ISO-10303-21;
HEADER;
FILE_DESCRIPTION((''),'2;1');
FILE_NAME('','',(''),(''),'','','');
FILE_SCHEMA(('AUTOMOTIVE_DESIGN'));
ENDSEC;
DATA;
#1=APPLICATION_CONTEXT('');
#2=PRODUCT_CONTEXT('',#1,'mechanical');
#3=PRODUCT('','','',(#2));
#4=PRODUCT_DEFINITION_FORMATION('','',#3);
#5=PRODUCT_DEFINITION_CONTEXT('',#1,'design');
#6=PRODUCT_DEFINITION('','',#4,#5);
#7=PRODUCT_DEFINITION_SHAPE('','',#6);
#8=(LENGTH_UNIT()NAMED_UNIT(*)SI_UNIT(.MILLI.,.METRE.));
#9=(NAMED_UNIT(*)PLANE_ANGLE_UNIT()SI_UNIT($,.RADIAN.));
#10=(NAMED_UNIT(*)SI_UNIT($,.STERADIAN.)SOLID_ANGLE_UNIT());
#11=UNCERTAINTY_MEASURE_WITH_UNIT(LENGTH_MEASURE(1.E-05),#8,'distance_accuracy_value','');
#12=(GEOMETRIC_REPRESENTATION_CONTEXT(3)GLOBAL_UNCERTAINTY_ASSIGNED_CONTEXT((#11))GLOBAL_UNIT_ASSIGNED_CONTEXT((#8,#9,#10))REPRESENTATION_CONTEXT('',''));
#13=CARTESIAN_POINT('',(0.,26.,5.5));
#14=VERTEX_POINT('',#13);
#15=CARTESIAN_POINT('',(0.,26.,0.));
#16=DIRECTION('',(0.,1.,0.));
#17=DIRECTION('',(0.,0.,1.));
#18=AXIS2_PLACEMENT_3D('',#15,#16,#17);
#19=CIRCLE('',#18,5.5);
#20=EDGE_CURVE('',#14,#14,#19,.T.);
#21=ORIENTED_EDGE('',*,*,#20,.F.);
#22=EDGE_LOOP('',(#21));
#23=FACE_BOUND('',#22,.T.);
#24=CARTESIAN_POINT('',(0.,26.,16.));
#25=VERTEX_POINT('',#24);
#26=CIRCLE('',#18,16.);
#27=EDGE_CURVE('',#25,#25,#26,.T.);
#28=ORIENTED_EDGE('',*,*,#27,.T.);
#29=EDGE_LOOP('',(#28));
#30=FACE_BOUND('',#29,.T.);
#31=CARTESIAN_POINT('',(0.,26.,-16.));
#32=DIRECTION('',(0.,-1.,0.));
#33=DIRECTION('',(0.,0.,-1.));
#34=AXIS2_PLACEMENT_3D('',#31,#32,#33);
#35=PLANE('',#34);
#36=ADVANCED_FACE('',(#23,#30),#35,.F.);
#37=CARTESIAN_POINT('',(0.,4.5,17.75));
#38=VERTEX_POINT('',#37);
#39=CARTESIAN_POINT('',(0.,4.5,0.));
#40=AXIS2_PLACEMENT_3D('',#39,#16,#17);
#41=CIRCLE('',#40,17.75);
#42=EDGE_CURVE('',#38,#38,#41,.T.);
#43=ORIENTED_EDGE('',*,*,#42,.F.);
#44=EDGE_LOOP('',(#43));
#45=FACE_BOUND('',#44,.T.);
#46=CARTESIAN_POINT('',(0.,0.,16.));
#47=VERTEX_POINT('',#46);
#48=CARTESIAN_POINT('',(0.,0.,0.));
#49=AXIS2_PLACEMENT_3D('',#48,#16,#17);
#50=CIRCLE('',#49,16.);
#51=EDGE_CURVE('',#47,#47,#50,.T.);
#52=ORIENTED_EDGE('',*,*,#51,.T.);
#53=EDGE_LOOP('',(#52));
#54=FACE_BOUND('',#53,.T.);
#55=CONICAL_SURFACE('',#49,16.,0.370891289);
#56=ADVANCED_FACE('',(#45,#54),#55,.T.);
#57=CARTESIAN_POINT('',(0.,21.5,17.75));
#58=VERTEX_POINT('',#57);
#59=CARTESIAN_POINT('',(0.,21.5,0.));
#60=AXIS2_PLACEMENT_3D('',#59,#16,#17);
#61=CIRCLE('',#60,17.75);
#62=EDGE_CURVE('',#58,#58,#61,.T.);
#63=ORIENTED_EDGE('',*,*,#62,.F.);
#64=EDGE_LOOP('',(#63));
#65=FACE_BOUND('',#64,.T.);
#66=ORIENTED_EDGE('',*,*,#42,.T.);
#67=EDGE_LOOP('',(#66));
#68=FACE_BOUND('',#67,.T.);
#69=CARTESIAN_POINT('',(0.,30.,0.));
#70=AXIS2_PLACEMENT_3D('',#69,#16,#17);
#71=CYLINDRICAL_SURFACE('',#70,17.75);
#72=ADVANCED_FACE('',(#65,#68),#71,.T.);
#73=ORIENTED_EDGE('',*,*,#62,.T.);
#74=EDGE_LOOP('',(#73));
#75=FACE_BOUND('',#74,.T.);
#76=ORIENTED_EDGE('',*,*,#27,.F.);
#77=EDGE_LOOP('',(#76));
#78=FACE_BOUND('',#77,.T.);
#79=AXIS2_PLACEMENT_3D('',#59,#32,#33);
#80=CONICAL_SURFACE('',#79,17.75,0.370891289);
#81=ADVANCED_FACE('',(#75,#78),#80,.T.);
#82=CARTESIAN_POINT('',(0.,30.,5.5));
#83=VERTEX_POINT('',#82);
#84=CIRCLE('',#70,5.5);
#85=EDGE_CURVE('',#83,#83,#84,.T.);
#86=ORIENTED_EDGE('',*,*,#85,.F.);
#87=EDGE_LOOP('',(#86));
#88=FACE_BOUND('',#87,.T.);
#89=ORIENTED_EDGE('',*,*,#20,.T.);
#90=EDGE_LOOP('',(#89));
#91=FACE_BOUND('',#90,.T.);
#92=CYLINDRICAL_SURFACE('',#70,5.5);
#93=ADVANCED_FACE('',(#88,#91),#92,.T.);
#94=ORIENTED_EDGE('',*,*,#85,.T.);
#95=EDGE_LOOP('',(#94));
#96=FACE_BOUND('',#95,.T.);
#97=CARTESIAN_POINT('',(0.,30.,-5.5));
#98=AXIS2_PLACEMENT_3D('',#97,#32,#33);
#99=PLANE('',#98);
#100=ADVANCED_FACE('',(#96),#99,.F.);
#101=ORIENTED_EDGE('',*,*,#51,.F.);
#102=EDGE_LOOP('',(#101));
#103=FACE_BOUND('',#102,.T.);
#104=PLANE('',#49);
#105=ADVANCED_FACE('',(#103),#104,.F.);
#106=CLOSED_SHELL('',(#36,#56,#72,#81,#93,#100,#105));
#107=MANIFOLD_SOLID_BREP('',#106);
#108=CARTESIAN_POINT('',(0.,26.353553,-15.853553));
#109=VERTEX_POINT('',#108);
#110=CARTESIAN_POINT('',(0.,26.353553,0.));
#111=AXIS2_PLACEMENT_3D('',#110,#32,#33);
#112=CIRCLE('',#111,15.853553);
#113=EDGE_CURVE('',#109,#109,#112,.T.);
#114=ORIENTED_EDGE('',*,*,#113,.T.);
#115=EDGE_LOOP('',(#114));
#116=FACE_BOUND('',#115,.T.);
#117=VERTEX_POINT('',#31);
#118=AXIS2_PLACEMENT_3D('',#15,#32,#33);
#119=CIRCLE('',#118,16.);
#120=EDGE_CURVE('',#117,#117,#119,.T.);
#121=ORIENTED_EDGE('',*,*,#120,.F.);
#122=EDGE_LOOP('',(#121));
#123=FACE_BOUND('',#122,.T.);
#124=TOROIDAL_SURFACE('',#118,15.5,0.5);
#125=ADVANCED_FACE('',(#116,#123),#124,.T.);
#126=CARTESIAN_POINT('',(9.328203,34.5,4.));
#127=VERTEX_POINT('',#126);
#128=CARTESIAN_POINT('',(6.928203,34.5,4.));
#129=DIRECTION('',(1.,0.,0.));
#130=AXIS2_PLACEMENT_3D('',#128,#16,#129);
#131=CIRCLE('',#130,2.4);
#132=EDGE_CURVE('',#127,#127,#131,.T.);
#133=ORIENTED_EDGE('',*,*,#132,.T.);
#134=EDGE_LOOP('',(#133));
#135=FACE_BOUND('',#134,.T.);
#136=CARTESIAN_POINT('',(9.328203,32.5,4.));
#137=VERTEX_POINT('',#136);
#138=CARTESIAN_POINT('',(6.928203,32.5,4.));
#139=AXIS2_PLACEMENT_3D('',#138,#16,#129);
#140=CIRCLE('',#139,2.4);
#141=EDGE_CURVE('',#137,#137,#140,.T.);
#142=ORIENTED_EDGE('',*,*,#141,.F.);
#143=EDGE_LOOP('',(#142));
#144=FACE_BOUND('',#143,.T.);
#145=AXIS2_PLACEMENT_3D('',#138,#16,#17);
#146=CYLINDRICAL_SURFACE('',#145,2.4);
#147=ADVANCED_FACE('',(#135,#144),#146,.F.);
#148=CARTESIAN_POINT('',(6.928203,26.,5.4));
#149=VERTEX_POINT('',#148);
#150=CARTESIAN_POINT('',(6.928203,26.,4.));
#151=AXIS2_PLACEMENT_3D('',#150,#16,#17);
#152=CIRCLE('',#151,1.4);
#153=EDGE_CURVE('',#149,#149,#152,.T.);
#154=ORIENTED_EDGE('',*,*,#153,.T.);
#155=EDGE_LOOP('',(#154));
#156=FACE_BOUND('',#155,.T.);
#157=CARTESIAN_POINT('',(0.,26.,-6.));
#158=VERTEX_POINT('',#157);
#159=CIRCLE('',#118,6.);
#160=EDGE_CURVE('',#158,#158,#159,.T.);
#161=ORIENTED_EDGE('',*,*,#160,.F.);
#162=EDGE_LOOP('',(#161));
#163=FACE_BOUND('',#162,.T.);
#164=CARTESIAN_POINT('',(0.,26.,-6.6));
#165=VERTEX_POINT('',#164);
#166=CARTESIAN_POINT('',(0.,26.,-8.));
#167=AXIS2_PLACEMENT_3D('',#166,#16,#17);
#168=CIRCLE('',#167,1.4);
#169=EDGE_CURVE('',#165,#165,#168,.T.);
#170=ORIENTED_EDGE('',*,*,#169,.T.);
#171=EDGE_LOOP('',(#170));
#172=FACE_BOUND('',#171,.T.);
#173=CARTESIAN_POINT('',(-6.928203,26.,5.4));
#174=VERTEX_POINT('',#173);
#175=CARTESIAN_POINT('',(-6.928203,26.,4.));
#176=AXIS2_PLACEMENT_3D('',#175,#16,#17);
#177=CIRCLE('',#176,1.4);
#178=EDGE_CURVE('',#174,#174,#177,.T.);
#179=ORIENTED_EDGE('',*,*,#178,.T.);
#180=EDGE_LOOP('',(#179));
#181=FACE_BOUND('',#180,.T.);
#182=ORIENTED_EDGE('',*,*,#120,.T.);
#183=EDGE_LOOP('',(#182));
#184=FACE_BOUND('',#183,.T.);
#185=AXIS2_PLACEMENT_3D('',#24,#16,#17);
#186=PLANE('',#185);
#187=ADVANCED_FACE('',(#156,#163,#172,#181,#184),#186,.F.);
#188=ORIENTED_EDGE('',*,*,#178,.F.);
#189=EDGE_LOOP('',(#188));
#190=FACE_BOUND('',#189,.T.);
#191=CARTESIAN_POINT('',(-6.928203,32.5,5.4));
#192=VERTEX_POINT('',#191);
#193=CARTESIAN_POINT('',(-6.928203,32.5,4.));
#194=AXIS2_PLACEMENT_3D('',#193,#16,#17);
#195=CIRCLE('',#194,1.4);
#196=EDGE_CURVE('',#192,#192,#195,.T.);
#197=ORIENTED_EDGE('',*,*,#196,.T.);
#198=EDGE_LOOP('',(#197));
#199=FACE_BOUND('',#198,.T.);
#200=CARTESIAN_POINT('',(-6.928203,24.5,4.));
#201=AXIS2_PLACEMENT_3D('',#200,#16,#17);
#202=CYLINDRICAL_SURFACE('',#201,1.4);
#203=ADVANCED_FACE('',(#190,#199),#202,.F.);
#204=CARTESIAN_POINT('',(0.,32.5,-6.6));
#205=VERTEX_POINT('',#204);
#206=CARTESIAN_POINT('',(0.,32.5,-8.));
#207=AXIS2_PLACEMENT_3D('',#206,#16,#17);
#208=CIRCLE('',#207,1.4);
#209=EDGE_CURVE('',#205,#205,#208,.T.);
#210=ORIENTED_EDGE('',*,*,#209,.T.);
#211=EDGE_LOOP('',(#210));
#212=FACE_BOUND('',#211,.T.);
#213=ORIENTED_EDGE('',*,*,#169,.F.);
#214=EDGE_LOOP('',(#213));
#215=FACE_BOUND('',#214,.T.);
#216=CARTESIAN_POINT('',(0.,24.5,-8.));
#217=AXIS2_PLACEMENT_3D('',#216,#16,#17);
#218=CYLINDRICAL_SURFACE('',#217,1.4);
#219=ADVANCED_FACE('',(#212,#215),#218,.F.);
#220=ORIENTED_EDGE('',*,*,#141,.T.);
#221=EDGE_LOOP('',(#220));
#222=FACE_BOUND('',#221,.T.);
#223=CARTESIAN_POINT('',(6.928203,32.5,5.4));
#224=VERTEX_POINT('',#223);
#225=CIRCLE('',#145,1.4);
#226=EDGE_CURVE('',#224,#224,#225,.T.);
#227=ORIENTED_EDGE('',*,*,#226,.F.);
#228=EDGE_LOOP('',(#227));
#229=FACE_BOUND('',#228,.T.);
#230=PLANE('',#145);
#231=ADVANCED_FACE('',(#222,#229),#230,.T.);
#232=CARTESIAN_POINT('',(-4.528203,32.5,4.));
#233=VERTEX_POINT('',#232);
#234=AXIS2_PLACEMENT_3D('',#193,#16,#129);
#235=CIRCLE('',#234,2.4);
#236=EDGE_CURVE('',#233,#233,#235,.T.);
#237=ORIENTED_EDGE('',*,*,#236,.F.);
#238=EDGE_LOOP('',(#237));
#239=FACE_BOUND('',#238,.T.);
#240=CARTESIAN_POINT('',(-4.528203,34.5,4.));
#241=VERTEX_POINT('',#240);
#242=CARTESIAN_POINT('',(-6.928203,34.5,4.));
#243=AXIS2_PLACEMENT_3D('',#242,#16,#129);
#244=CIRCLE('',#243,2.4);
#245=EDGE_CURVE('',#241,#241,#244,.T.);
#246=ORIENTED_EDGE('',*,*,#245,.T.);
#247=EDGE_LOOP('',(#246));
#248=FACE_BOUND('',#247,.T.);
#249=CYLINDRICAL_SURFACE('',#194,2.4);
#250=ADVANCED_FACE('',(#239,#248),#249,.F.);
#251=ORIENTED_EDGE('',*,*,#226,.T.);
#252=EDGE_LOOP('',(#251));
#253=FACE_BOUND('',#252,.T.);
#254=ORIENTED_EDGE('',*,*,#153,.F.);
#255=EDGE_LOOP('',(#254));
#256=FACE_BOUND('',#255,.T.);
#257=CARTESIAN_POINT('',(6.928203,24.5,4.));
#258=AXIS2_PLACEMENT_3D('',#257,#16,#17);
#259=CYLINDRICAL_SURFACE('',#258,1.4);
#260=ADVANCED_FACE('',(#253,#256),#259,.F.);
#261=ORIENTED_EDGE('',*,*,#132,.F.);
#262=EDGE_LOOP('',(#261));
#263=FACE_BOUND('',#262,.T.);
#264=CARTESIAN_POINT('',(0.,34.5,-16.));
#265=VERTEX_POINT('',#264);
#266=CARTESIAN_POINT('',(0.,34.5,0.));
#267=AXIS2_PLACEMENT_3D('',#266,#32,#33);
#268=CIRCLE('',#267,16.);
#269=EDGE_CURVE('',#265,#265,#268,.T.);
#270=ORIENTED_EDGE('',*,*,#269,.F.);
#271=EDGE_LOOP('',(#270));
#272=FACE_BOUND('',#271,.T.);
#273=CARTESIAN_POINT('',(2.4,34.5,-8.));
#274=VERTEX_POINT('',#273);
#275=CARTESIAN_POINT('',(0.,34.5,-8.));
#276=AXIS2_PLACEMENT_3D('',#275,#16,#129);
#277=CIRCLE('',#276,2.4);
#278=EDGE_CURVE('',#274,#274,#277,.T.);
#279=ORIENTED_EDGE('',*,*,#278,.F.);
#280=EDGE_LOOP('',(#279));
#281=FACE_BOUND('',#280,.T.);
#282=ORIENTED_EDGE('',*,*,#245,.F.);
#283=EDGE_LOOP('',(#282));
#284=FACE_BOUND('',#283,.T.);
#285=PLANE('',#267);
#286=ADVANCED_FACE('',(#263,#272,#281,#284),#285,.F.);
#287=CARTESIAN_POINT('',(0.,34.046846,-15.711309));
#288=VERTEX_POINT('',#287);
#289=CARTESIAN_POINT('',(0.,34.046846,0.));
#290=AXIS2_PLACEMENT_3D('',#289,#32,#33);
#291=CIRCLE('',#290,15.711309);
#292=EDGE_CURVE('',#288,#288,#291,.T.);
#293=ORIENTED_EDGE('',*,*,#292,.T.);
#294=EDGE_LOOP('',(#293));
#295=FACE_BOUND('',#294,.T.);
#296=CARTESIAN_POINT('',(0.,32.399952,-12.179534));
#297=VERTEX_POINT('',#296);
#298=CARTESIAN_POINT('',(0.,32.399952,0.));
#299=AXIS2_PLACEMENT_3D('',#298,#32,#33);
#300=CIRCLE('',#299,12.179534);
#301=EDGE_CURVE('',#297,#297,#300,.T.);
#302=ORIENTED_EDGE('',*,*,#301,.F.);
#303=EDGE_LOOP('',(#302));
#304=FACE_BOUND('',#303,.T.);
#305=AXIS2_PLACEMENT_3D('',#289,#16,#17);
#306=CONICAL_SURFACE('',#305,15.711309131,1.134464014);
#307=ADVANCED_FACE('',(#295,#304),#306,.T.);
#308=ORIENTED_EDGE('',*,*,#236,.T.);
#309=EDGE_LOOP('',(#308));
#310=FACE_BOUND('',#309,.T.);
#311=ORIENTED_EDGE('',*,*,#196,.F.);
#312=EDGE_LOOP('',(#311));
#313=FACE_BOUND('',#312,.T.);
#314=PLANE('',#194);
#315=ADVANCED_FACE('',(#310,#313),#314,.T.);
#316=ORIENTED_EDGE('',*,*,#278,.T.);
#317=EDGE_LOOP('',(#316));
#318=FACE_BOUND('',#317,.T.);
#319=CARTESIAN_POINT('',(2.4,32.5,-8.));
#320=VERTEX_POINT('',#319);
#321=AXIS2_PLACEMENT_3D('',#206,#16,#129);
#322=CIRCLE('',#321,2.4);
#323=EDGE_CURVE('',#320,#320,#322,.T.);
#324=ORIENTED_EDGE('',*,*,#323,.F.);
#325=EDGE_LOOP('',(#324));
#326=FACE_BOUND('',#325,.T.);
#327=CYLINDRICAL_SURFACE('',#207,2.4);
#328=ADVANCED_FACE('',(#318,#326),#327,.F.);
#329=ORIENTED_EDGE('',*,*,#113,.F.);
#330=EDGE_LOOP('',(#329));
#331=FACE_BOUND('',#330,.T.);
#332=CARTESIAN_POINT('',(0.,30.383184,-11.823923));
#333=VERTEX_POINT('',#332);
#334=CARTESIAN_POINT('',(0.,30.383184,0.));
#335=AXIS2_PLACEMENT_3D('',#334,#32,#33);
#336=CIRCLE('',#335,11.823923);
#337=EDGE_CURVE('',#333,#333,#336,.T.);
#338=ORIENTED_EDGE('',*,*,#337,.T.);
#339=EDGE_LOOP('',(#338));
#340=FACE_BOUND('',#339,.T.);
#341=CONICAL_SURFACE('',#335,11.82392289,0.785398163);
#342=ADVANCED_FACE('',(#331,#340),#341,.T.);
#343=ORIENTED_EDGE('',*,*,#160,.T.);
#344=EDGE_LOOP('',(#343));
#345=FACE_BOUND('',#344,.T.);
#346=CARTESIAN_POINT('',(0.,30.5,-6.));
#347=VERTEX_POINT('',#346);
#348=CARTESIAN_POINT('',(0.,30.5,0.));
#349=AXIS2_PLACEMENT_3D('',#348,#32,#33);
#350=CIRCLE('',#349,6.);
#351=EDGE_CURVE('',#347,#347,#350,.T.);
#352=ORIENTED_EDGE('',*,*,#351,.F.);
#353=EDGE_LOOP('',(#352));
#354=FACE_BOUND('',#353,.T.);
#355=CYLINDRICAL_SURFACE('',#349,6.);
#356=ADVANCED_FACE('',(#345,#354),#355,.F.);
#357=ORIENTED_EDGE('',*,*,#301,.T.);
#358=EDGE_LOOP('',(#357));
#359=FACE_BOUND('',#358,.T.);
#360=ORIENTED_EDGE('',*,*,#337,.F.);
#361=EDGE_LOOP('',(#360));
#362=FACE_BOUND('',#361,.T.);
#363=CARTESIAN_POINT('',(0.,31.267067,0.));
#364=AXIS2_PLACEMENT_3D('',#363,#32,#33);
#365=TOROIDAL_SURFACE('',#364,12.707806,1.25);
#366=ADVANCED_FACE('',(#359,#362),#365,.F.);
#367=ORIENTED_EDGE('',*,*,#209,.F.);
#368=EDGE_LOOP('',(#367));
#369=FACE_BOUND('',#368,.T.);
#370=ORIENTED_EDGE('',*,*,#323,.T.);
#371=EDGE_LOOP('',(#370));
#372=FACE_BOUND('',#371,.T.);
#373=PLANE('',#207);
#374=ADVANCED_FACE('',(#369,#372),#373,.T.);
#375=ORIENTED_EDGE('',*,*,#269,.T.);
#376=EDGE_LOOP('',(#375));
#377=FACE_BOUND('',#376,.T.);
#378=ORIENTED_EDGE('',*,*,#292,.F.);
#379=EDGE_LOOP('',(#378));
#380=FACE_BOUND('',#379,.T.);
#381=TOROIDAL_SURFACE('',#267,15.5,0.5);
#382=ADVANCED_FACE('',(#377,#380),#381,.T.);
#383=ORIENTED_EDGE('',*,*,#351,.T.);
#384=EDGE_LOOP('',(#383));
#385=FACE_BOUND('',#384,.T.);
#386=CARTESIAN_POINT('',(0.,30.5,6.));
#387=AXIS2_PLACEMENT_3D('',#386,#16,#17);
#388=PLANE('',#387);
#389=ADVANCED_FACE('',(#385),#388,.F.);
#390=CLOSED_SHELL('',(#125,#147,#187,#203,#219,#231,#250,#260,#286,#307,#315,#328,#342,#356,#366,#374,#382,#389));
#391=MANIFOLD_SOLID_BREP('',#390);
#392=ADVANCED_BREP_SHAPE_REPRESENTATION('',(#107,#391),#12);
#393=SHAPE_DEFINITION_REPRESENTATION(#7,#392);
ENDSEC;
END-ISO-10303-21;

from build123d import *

# Parameters (mm, degrees)
SKETCH3_R               = 1.4
CUT_EXTRUDE1_DEPTH      = 10
SKETCH3_2_R             = 2.4
SKETCH3_2_R_2           = 1.4
CUT_EXTRUDE_THIN1_DEPTH = 2


with BuildPart() as part:
    # Sketch1 → Revolve1 (revolve)
    with BuildSketch(Plane(origin=(0, 0, 0), x_dir=(0, 0, -1), z_dir=(1, 0, 0))):
        Polygon((0, 0), (16, 0), (17.75, 4.5), (17.75, 21.5), (16, 26), (5.5, 26), (5.5, 30), (0, 30), align=None)
    revolve(axis=Axis((0, 30, 0), (0, -1, 0)))


with BuildPart() as body_2:
    # Sketch2 → Revolve2 (revolve)
    with BuildSketch(Plane(origin=(0, 0, 0), x_dir=(0, 0, -1), z_dir=(1, 0, 0))):
        with BuildLine():
            Line((-16, 26), (-6, 26))
            Line((-6, 26), (-6, 30.5))
            Line((-6, 30.5), (0, 30.5))
            Line((0, 30.5), (0, 34.5))
            Line((0, 34.5), (-16, 34.5))
            ThreePointArc((-16, 34.5), (-15.921695723, 34.231350196), (-15.711309131, 34.046846106))
            Line((-15.711309131, 34.046846106), (-12.179533539, 32.399952101))
            ThreePointArc((-12.179533539, 32.399952101), (-11.476796675, 31.48412759), (-11.82392289, 30.383183891))
            Line((-11.82392289, 30.383183891), (-15.853553391, 26.353553391))
            ThreePointArc((-15.853553391, 26.353553391), (-15.961939766, 26.191341716), (-16, 26))
        make_face()
    revolve(axis=Axis((0, 30.5, 0), (0, 1, 0)))

    # Sketch3 → Cut-Extrude1 (cut)
    with BuildSketch(Plane(origin=(0, 34.5, 0), x_dir=(1, 0, 0), z_dir=(0, 1, 0))):
        with Locations((0, 8)):
            Circle(SKETCH3_R)
        with Locations((6.92820323, -4)):
            Circle(SKETCH3_R)
        with Locations((-6.92820323, -4)):
            Circle(SKETCH3_R)
    extrude(amount=-CUT_EXTRUDE1_DEPTH, mode=Mode.SUBTRACT)

    # Sketch3<2> → Cut-Extrude-Thin1 (cut)
    # profile 1 of 3: a face of its own
    with BuildSketch(Plane(origin=(0, 34.5, 0), x_dir=(1, 0, 0), z_dir=(0, 1, 0))):
        with Locations((0, 8)):
            Circle(SKETCH3_2_R)
        with Locations((0, 8)):
            Circle(SKETCH3_2_R_2, mode=Mode.SUBTRACT)
    # profile 2 of 3: a face of its own
    with BuildSketch(Plane(origin=(0, 34.5, 0), x_dir=(1, 0, 0), z_dir=(0, 1, 0))):
        with Locations((6.92820323, -4)):
            Circle(SKETCH3_2_R)
        with Locations((6.92820323, -4)):
            Circle(SKETCH3_2_R_2, mode=Mode.SUBTRACT)
    # profile 3 of 3: a face of its own
    with BuildSketch(Plane(origin=(0, 34.5, 0), x_dir=(1, 0, 0), z_dir=(0, 1, 0))):
        with Locations((-6.92820323, -4)):
            Circle(SKETCH3_2_R)
        with Locations((-6.92820323, -4)):
            Circle(SKETCH3_2_R_2, mode=Mode.SUBTRACT)
    extrude(amount=-CUT_EXTRUDE_THIN1_DEPTH, mode=Mode.SUBTRACT)


solid = Compound([part.part, body_2.part])
